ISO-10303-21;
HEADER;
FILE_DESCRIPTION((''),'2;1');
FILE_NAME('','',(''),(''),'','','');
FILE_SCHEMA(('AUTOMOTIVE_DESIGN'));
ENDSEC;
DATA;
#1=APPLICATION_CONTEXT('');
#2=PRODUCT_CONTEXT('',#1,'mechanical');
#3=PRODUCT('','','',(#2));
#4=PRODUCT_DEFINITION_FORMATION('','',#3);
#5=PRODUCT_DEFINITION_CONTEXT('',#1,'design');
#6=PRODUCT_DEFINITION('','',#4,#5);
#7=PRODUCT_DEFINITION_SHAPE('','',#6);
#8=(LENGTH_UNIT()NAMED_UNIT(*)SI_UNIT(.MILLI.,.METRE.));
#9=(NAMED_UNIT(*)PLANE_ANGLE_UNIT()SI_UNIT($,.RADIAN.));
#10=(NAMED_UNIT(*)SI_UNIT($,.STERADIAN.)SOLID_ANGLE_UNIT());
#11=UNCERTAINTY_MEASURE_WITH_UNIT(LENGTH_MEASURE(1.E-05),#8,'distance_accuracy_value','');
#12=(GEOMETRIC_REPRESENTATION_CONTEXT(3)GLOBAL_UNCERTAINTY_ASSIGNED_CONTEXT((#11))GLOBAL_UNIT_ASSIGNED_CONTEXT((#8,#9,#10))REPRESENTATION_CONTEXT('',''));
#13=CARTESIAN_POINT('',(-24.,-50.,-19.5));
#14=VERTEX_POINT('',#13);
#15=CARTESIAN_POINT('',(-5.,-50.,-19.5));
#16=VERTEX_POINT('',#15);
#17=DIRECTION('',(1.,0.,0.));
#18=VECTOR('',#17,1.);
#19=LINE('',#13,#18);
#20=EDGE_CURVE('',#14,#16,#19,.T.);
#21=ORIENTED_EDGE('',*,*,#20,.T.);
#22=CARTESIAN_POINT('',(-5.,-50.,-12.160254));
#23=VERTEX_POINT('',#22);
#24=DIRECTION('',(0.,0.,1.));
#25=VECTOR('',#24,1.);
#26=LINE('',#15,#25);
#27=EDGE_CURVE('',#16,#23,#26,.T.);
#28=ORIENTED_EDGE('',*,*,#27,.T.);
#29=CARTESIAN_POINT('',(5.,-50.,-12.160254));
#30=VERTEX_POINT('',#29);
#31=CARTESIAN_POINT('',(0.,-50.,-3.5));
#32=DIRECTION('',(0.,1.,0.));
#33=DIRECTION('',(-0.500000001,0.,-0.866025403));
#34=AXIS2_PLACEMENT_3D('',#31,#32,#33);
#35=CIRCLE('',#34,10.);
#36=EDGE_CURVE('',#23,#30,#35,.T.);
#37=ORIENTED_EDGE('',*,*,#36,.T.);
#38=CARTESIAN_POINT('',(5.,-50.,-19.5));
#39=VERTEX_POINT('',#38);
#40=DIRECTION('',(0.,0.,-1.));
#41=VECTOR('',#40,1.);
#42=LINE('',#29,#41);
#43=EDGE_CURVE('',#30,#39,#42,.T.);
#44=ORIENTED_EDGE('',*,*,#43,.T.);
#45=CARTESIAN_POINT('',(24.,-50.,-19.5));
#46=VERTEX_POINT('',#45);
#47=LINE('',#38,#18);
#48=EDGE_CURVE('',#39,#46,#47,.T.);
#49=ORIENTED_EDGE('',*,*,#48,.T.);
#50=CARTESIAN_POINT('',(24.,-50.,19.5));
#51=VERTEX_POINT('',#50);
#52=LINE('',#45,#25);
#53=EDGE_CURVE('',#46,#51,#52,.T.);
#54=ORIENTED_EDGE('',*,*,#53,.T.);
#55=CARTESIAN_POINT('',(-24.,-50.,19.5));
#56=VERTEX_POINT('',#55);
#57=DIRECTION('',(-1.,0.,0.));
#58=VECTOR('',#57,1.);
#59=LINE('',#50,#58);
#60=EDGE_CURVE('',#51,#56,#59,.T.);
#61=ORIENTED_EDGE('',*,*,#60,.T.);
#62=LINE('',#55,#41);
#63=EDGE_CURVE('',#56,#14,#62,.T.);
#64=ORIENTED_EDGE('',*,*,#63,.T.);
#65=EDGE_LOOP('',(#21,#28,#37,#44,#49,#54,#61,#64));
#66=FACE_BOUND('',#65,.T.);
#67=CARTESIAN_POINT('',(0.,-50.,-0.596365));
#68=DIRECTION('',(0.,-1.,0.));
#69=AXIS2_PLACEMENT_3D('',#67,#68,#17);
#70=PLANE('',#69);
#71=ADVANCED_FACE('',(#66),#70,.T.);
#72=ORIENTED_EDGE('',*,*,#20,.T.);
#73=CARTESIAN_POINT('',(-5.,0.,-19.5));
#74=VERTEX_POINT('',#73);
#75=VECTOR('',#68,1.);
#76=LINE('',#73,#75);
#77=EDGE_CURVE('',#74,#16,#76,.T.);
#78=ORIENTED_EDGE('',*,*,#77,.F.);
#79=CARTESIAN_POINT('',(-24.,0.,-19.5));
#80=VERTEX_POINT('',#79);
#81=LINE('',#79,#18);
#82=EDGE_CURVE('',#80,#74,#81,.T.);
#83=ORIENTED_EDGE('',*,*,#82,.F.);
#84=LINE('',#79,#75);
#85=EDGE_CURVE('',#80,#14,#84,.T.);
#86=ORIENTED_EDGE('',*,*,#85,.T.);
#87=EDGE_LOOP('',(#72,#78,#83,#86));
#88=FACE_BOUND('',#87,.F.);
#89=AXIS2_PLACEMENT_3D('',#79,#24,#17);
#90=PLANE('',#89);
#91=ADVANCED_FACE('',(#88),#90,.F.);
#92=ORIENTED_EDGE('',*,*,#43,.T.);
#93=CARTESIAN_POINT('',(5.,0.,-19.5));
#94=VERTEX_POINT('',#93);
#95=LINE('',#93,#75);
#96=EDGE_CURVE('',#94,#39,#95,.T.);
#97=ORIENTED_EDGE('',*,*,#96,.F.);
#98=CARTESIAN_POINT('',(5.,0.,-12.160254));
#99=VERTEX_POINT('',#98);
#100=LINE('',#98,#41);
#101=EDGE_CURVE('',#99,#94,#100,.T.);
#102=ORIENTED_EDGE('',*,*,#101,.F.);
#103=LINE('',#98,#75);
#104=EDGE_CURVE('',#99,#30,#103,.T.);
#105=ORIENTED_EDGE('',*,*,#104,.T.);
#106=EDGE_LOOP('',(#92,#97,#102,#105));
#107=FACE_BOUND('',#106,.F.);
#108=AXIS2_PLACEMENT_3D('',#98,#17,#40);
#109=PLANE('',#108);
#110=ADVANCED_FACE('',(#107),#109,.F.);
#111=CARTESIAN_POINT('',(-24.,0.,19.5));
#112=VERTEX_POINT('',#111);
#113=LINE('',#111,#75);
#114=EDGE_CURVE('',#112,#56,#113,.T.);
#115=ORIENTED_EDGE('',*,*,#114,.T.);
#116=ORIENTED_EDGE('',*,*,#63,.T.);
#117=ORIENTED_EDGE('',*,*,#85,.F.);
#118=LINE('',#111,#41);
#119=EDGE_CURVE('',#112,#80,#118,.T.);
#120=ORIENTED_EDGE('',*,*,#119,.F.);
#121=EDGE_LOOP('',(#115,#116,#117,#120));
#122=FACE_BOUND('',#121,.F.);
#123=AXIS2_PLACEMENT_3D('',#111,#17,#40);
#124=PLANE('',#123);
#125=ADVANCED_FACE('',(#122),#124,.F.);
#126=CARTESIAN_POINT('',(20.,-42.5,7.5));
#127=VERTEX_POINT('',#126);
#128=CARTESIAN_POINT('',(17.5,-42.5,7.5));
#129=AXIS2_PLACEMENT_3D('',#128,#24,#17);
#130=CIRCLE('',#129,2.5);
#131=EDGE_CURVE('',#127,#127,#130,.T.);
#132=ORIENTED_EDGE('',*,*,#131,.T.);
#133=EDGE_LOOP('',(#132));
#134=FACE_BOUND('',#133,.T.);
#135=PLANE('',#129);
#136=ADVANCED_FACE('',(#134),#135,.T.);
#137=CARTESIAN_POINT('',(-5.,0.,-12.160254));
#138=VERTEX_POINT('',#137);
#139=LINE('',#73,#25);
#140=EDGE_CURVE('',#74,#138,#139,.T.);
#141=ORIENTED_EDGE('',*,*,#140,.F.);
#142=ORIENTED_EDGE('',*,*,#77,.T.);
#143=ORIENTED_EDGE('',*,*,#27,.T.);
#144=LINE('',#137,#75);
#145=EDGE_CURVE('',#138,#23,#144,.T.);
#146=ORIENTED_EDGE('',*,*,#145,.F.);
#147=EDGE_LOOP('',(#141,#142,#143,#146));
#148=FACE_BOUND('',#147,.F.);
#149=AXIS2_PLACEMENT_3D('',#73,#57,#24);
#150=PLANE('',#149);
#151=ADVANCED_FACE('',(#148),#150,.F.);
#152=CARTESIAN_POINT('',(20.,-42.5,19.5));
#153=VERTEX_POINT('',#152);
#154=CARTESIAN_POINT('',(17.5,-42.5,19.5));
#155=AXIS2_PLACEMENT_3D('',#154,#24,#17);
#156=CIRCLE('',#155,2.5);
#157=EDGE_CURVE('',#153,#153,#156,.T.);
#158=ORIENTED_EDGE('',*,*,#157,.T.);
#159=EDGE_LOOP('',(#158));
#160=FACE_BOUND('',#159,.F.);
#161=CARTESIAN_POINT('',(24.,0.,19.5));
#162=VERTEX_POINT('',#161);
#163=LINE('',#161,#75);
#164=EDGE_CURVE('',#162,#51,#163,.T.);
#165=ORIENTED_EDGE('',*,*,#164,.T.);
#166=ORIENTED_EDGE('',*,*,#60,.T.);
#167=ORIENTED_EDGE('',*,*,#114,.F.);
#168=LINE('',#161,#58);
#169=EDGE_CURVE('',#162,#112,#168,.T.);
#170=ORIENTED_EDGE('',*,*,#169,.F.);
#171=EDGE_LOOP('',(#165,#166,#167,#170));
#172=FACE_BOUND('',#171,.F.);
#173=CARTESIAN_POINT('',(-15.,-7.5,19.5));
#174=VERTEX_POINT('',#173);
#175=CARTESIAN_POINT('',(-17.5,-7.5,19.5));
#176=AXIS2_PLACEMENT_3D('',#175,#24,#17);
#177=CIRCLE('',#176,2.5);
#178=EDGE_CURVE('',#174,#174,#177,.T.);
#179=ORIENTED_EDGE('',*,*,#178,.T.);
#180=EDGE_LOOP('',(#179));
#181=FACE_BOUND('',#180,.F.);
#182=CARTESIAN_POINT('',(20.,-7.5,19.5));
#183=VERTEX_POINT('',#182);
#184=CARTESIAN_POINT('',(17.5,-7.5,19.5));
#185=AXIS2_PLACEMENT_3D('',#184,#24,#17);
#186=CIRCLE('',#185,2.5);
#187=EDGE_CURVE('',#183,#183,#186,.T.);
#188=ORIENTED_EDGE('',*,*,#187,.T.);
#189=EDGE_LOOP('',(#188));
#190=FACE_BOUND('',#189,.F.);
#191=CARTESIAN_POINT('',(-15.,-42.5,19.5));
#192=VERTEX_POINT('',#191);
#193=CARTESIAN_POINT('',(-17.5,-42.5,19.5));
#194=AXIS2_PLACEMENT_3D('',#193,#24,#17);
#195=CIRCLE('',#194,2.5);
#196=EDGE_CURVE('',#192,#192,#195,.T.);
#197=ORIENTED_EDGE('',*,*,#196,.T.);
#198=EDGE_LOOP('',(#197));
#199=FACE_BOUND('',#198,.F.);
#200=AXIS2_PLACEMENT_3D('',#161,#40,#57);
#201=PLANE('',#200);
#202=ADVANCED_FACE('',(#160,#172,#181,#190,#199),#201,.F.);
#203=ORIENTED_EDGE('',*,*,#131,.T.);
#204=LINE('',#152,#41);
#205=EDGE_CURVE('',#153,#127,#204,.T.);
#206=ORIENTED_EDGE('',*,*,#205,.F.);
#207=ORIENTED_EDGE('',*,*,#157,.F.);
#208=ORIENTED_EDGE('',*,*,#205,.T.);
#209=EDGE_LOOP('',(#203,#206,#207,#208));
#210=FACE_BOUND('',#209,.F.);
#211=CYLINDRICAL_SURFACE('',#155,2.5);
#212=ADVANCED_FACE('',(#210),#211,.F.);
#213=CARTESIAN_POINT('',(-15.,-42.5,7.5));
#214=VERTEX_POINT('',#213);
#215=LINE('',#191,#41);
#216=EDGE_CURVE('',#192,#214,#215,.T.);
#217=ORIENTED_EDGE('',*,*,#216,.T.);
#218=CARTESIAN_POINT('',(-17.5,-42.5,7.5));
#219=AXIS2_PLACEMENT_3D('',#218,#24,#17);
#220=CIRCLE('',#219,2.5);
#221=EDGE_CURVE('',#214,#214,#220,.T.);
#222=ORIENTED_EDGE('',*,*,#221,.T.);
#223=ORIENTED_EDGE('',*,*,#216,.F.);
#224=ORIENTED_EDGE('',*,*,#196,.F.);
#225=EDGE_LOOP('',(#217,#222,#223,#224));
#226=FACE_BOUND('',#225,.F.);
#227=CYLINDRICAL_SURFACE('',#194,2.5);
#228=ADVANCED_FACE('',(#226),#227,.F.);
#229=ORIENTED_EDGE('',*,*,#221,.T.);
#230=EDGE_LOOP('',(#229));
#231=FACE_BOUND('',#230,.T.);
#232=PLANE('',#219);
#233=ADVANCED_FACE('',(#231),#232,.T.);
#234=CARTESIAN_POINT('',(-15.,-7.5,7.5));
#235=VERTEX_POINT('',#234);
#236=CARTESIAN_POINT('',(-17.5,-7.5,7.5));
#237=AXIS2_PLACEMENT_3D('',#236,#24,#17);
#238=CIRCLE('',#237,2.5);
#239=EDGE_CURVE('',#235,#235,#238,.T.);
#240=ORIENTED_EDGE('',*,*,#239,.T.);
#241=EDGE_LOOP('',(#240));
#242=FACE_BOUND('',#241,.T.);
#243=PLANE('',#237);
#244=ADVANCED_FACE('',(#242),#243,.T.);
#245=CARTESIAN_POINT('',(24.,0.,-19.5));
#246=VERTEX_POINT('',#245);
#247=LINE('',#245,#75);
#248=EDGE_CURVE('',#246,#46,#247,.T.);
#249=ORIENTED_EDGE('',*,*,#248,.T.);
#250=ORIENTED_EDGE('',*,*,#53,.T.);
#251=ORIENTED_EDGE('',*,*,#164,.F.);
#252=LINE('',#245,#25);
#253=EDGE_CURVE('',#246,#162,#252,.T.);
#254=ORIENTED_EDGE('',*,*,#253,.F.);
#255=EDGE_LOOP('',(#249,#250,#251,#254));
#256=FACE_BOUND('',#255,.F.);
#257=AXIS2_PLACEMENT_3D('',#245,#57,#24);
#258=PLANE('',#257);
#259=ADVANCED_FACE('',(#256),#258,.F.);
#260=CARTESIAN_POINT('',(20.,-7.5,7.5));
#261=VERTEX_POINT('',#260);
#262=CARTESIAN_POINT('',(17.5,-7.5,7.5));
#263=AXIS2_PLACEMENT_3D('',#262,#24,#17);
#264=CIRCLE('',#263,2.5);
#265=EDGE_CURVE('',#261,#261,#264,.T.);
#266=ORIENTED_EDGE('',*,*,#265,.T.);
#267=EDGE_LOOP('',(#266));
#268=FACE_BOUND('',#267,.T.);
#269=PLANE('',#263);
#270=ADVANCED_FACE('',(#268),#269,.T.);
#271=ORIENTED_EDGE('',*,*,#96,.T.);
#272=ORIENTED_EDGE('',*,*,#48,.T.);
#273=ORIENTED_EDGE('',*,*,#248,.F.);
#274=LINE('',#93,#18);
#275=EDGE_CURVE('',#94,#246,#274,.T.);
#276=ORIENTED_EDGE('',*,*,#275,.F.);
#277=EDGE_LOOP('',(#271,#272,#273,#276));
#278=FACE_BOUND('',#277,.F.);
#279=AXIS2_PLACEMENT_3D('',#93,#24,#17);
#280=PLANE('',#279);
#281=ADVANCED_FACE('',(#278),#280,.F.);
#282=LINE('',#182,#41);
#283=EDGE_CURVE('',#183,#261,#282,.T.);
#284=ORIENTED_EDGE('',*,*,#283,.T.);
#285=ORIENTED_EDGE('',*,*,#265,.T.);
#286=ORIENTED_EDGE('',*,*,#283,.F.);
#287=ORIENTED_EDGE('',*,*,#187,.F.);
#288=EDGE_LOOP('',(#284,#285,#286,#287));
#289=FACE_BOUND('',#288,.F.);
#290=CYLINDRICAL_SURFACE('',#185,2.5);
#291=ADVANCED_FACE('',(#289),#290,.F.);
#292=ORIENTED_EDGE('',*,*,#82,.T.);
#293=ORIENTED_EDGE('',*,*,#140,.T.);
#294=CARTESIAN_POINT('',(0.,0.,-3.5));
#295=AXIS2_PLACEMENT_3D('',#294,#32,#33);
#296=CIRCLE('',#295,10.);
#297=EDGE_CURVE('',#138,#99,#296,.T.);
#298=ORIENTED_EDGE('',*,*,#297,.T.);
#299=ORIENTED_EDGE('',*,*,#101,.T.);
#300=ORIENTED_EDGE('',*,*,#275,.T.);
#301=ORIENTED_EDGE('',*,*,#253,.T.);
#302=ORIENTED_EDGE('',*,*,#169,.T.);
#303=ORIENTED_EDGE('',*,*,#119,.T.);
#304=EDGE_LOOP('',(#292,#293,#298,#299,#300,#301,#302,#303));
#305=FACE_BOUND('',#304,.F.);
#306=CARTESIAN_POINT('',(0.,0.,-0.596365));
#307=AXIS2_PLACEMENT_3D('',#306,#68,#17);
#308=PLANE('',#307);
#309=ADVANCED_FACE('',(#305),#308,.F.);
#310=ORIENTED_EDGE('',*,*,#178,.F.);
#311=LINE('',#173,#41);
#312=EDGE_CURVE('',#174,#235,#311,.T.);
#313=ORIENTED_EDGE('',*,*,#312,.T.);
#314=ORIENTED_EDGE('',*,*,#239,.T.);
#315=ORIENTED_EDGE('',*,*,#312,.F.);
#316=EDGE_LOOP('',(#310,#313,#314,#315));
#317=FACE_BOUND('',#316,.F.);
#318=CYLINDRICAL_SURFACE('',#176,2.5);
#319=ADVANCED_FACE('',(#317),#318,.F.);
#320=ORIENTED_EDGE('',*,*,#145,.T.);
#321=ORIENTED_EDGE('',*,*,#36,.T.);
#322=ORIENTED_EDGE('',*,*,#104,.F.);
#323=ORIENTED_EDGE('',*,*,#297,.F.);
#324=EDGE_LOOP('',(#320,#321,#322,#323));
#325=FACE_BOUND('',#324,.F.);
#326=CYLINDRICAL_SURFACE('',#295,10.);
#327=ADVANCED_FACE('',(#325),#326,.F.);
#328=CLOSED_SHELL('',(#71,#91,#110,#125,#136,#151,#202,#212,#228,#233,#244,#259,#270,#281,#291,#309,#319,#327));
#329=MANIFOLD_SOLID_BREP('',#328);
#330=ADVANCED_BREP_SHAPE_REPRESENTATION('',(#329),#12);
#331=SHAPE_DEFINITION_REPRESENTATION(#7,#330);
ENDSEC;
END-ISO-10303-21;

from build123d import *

# Parameters (mm, degrees)
F1_DEPTH = 50
F2_R     = 2.5
F3_DEPTH = 12


with BuildPart() as f1:
    # F0 (on Front) → F1 (new body)
    with BuildSketch(Plane.XZ):
        with BuildLine():
            Line((24, -19.5), (24, 19.5))
            Line((24, 19.5), (-24, 19.5))
            Line((-24, 19.5), (-24, -19.5))
            Line((-24, -19.5), (-5, -19.5))
            Line((-5, -19.5), (-5, -12.160254))
            ThreePointArc((-5, -12.160254), (0, 6.5), (5, -12.160254))
            Line((5, -12.160254), (5, -19.5))
            Line((5, -19.5), (24, -19.5))
        make_face()
    extrude(amount=F1_DEPTH)

    # F2 (on face) → F3 (cut)
    with BuildSketch(Plane.XY.offset(19.5)):
        with Locations((-17.5, -42.5)):
            Circle(F2_R)
        with Locations((-17.5, -7.5)):
            Circle(F2_R)
        with Locations((17.5, -7.5)):
            Circle(F2_R)
        with Locations((17.5, -42.5)):
            Circle(F2_R)
    extrude(amount=-F3_DEPTH, mode=Mode.SUBTRACT)


solid = f1.part
